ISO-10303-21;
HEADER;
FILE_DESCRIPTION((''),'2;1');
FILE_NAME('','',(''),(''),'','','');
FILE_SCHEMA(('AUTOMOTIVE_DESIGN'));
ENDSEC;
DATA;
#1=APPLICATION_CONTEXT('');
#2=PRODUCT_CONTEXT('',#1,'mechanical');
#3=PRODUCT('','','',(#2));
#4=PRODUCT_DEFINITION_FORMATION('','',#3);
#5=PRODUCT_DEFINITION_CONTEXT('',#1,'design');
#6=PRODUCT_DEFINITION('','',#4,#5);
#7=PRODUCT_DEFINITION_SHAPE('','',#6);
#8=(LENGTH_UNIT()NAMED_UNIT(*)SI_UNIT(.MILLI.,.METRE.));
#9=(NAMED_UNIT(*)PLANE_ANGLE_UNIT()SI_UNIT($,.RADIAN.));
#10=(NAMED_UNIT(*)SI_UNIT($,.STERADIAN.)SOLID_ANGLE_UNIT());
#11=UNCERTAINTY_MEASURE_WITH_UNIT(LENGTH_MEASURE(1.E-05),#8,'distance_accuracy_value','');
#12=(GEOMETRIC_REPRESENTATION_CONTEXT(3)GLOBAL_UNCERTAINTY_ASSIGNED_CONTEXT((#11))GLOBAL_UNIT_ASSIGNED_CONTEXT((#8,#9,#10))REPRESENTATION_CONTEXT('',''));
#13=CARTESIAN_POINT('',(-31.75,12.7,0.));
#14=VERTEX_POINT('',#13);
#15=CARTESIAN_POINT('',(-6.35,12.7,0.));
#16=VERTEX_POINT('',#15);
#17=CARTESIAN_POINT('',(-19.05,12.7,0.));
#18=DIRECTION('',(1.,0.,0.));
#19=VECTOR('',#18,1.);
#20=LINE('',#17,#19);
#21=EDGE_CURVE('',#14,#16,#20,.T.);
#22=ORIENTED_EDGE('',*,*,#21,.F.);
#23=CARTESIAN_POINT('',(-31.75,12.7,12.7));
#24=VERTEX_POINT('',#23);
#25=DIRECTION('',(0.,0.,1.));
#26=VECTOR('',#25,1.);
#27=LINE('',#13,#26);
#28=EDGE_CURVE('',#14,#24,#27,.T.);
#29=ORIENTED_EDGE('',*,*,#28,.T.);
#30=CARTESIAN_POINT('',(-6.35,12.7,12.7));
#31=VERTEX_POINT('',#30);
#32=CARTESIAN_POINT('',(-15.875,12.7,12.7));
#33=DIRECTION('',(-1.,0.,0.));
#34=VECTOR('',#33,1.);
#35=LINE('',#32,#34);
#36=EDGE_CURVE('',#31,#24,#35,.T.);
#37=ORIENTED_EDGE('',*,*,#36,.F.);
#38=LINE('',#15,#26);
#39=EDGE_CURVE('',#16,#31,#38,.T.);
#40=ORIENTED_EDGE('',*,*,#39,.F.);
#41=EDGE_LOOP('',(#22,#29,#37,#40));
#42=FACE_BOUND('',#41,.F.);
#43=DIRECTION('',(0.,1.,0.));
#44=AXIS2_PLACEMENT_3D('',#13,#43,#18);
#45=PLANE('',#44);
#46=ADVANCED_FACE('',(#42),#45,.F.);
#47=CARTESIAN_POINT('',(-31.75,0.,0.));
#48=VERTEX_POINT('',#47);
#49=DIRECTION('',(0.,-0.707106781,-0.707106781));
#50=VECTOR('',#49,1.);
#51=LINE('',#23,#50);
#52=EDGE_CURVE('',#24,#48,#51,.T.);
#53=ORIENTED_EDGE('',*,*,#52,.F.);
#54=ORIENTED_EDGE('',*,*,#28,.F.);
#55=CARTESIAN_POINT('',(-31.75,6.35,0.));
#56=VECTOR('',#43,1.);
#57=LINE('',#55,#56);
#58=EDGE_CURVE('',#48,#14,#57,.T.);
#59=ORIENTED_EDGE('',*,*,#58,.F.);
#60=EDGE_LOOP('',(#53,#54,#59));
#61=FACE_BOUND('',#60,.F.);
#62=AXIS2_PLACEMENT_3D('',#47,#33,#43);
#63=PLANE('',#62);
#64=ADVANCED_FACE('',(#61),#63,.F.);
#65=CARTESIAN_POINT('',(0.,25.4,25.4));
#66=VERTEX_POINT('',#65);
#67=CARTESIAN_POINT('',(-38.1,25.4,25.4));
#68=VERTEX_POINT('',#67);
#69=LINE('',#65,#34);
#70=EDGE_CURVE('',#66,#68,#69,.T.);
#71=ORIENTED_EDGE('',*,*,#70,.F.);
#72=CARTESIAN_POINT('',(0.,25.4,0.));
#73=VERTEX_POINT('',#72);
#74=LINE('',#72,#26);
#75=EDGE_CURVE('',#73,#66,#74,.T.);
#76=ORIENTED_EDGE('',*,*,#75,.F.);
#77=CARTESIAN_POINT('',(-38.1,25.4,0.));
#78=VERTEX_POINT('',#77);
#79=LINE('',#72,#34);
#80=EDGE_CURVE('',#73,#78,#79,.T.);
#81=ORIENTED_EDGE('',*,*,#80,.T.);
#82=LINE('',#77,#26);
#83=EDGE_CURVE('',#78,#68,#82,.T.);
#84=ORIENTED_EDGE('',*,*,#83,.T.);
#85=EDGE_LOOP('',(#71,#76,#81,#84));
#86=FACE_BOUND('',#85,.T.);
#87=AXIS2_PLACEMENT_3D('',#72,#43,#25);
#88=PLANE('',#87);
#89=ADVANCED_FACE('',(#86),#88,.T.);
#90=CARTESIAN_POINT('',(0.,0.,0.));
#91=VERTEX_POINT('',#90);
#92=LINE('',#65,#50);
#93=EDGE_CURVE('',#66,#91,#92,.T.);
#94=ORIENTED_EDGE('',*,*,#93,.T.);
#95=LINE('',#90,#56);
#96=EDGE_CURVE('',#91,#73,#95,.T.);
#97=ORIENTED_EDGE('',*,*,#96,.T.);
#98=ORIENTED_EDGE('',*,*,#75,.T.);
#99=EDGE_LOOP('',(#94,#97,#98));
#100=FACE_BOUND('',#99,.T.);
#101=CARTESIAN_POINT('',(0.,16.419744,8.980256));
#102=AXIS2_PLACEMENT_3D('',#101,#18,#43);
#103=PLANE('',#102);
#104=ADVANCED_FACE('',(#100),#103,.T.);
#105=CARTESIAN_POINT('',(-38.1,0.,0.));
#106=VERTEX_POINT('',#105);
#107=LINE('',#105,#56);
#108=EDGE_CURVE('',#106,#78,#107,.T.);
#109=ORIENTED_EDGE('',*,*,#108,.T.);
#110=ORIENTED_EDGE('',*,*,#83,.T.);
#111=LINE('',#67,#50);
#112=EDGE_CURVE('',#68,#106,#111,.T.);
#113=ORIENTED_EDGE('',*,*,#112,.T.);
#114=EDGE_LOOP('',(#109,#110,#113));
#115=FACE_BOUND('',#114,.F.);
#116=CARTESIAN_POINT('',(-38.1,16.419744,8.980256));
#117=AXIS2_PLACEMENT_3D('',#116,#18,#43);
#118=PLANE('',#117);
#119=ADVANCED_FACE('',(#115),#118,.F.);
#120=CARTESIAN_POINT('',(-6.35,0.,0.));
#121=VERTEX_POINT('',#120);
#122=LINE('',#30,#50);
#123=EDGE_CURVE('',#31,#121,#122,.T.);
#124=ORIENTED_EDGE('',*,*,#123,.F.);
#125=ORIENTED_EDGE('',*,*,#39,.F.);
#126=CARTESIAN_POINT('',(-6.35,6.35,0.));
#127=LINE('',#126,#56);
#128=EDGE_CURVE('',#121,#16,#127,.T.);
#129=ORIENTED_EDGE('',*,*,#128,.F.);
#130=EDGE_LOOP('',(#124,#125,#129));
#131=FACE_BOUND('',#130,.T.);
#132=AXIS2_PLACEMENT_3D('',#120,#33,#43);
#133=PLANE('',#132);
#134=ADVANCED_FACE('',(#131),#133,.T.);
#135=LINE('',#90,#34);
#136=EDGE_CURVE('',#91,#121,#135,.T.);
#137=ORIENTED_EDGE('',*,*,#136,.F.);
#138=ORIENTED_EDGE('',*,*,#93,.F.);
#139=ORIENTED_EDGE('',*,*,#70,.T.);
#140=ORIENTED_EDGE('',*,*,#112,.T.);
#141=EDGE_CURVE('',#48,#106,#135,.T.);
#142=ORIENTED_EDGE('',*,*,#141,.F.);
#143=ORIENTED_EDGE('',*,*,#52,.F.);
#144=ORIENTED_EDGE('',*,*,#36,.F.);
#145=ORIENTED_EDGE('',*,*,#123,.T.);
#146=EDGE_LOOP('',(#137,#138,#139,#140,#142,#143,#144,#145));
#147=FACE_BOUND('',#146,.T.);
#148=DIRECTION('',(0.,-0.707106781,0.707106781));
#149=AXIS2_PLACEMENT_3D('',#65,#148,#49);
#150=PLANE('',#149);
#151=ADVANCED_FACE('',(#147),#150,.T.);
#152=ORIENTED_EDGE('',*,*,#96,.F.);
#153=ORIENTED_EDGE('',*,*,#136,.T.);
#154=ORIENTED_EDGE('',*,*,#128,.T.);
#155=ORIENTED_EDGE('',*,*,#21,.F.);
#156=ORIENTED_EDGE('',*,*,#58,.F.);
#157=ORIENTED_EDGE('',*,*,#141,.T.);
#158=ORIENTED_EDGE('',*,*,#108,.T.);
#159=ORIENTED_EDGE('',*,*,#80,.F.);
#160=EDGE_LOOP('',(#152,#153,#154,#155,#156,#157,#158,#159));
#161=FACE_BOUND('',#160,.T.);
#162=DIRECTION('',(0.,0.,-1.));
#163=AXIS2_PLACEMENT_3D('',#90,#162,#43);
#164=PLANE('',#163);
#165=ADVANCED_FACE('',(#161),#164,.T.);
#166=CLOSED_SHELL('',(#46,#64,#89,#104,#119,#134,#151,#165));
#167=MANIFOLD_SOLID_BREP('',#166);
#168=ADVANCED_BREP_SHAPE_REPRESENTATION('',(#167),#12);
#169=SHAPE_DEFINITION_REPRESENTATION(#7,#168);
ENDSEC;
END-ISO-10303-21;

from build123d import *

# Parameters (mm, degrees)
F1_DEPTH = 38.1
F2_W     = 25.4
F2_H     = 12.7
F3_DEPTH = 25.401


with BuildPart() as f1:
    # F0 (on Right) → F1 (new body)
    with BuildSketch(Plane.YZ):
        Polygon((25.4, 25.4), (0, 0), (25.4, 0), align=None)
    extrude(amount=-F1_DEPTH)

    # F2 (on Top) → F3 (cut, through all)
    with BuildSketch(Plane.XY):
        with Locations((-19.05, 6.35)):
            Rectangle(F2_W, F2_H)
    extrude(amount=F3_DEPTH, mode=Mode.SUBTRACT)


solid = f1.part
